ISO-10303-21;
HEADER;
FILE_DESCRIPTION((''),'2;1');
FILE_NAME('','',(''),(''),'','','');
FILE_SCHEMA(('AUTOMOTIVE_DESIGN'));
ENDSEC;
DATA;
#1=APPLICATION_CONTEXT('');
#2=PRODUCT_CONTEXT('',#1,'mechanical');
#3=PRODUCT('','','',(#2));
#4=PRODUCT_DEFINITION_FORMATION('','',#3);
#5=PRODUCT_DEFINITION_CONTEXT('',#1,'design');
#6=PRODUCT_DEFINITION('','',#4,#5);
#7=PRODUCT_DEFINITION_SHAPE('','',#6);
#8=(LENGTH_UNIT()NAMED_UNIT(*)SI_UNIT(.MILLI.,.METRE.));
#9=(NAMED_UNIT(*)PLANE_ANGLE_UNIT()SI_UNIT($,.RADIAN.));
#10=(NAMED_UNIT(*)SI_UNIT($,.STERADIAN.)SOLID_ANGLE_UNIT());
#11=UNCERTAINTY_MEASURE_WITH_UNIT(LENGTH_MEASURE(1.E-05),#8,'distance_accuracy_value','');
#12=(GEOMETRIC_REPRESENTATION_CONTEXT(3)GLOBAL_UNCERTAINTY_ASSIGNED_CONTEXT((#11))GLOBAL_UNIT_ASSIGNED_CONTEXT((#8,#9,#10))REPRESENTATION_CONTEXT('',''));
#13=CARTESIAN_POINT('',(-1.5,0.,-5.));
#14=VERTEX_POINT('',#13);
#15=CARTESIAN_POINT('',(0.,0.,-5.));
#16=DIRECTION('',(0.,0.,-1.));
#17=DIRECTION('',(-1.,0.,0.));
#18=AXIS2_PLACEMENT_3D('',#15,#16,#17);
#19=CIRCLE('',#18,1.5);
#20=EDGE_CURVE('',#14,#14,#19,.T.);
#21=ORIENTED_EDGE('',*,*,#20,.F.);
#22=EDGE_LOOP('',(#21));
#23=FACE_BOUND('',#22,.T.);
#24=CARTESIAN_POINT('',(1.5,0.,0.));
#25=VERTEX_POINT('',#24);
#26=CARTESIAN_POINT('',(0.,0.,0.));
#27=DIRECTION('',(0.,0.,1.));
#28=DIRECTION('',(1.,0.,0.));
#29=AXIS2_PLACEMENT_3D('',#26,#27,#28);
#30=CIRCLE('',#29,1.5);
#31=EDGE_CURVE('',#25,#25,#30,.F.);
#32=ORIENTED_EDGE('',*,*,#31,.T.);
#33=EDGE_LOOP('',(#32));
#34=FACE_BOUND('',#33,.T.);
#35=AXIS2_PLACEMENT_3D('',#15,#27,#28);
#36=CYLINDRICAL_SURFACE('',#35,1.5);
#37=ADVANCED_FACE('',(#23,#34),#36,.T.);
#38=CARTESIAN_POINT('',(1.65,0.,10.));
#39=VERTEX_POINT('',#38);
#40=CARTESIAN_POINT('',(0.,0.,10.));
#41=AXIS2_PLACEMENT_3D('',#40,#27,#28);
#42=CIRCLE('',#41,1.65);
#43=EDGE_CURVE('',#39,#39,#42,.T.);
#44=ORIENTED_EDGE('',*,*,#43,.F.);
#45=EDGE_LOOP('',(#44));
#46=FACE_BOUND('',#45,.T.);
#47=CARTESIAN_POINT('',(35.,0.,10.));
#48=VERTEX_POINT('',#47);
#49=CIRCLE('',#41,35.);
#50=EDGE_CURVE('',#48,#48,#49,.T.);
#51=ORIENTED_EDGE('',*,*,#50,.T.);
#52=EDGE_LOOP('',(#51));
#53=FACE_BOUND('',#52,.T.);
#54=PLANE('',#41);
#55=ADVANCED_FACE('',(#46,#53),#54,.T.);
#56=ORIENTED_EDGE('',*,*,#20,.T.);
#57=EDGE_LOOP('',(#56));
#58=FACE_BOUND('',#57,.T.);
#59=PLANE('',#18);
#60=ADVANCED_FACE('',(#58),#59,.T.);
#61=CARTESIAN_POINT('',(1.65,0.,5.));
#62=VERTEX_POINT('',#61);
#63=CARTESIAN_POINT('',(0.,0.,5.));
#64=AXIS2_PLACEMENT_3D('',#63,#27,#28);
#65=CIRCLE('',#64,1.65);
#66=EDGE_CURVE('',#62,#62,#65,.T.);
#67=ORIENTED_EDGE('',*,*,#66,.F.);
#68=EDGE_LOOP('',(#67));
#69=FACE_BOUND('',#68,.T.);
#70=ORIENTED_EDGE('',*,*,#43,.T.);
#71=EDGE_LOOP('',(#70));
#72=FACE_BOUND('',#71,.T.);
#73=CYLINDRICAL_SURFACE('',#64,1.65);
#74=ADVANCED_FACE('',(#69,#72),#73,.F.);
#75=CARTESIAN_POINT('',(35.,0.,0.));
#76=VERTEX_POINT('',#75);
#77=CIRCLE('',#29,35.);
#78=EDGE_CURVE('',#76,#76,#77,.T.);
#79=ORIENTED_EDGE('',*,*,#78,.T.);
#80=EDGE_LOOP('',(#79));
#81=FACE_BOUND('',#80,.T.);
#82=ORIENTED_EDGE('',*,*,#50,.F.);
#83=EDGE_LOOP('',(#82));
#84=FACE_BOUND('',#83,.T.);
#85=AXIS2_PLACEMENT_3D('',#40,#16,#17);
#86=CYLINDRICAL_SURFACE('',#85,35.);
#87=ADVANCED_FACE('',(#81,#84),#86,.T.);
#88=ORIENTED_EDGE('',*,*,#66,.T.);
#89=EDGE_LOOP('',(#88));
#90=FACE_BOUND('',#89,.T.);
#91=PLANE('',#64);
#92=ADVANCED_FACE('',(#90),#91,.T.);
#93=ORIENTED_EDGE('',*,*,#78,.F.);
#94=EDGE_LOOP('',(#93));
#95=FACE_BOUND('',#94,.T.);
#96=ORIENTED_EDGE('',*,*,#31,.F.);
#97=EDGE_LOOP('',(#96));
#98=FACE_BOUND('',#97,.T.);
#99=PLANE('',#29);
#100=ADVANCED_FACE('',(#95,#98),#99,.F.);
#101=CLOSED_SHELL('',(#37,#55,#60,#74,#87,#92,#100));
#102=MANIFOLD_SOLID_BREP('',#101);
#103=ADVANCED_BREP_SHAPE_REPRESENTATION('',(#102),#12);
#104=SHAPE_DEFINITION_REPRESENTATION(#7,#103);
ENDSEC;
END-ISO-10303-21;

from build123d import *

# Parameters (mm, degrees)
SKETCH1_R           = 35
BOSS_EXTRUDE1_DEPTH = 10
SKETCH2_R           = 1.5
BOSS_EXTRUDE2_DEPTH = 5
SKETCH3_R           = 1.65
CUT_EXTRUDE1_DEPTH  = 5


with BuildPart() as part:
    # Sketch1 → Boss-Extrude1 (new body)
    with BuildSketch(Plane.XY):
        Circle(SKETCH1_R)
    extrude(amount=BOSS_EXTRUDE1_DEPTH)

    # Sketch2 → Boss-Extrude2 (add)
    with BuildSketch(Plane(origin=(0, 0, 0), x_dir=(-1, 0, 0), z_dir=(0, 0, -1))):
        Circle(SKETCH2_R)
    extrude(amount=BOSS_EXTRUDE2_DEPTH)

    # Sketch3 → Cut-Extrude1 (cut)
    with BuildSketch(Plane.XY.offset(10)):
        Circle(SKETCH3_R)
    extrude(amount=-CUT_EXTRUDE1_DEPTH, mode=Mode.SUBTRACT)


solid = part.part
